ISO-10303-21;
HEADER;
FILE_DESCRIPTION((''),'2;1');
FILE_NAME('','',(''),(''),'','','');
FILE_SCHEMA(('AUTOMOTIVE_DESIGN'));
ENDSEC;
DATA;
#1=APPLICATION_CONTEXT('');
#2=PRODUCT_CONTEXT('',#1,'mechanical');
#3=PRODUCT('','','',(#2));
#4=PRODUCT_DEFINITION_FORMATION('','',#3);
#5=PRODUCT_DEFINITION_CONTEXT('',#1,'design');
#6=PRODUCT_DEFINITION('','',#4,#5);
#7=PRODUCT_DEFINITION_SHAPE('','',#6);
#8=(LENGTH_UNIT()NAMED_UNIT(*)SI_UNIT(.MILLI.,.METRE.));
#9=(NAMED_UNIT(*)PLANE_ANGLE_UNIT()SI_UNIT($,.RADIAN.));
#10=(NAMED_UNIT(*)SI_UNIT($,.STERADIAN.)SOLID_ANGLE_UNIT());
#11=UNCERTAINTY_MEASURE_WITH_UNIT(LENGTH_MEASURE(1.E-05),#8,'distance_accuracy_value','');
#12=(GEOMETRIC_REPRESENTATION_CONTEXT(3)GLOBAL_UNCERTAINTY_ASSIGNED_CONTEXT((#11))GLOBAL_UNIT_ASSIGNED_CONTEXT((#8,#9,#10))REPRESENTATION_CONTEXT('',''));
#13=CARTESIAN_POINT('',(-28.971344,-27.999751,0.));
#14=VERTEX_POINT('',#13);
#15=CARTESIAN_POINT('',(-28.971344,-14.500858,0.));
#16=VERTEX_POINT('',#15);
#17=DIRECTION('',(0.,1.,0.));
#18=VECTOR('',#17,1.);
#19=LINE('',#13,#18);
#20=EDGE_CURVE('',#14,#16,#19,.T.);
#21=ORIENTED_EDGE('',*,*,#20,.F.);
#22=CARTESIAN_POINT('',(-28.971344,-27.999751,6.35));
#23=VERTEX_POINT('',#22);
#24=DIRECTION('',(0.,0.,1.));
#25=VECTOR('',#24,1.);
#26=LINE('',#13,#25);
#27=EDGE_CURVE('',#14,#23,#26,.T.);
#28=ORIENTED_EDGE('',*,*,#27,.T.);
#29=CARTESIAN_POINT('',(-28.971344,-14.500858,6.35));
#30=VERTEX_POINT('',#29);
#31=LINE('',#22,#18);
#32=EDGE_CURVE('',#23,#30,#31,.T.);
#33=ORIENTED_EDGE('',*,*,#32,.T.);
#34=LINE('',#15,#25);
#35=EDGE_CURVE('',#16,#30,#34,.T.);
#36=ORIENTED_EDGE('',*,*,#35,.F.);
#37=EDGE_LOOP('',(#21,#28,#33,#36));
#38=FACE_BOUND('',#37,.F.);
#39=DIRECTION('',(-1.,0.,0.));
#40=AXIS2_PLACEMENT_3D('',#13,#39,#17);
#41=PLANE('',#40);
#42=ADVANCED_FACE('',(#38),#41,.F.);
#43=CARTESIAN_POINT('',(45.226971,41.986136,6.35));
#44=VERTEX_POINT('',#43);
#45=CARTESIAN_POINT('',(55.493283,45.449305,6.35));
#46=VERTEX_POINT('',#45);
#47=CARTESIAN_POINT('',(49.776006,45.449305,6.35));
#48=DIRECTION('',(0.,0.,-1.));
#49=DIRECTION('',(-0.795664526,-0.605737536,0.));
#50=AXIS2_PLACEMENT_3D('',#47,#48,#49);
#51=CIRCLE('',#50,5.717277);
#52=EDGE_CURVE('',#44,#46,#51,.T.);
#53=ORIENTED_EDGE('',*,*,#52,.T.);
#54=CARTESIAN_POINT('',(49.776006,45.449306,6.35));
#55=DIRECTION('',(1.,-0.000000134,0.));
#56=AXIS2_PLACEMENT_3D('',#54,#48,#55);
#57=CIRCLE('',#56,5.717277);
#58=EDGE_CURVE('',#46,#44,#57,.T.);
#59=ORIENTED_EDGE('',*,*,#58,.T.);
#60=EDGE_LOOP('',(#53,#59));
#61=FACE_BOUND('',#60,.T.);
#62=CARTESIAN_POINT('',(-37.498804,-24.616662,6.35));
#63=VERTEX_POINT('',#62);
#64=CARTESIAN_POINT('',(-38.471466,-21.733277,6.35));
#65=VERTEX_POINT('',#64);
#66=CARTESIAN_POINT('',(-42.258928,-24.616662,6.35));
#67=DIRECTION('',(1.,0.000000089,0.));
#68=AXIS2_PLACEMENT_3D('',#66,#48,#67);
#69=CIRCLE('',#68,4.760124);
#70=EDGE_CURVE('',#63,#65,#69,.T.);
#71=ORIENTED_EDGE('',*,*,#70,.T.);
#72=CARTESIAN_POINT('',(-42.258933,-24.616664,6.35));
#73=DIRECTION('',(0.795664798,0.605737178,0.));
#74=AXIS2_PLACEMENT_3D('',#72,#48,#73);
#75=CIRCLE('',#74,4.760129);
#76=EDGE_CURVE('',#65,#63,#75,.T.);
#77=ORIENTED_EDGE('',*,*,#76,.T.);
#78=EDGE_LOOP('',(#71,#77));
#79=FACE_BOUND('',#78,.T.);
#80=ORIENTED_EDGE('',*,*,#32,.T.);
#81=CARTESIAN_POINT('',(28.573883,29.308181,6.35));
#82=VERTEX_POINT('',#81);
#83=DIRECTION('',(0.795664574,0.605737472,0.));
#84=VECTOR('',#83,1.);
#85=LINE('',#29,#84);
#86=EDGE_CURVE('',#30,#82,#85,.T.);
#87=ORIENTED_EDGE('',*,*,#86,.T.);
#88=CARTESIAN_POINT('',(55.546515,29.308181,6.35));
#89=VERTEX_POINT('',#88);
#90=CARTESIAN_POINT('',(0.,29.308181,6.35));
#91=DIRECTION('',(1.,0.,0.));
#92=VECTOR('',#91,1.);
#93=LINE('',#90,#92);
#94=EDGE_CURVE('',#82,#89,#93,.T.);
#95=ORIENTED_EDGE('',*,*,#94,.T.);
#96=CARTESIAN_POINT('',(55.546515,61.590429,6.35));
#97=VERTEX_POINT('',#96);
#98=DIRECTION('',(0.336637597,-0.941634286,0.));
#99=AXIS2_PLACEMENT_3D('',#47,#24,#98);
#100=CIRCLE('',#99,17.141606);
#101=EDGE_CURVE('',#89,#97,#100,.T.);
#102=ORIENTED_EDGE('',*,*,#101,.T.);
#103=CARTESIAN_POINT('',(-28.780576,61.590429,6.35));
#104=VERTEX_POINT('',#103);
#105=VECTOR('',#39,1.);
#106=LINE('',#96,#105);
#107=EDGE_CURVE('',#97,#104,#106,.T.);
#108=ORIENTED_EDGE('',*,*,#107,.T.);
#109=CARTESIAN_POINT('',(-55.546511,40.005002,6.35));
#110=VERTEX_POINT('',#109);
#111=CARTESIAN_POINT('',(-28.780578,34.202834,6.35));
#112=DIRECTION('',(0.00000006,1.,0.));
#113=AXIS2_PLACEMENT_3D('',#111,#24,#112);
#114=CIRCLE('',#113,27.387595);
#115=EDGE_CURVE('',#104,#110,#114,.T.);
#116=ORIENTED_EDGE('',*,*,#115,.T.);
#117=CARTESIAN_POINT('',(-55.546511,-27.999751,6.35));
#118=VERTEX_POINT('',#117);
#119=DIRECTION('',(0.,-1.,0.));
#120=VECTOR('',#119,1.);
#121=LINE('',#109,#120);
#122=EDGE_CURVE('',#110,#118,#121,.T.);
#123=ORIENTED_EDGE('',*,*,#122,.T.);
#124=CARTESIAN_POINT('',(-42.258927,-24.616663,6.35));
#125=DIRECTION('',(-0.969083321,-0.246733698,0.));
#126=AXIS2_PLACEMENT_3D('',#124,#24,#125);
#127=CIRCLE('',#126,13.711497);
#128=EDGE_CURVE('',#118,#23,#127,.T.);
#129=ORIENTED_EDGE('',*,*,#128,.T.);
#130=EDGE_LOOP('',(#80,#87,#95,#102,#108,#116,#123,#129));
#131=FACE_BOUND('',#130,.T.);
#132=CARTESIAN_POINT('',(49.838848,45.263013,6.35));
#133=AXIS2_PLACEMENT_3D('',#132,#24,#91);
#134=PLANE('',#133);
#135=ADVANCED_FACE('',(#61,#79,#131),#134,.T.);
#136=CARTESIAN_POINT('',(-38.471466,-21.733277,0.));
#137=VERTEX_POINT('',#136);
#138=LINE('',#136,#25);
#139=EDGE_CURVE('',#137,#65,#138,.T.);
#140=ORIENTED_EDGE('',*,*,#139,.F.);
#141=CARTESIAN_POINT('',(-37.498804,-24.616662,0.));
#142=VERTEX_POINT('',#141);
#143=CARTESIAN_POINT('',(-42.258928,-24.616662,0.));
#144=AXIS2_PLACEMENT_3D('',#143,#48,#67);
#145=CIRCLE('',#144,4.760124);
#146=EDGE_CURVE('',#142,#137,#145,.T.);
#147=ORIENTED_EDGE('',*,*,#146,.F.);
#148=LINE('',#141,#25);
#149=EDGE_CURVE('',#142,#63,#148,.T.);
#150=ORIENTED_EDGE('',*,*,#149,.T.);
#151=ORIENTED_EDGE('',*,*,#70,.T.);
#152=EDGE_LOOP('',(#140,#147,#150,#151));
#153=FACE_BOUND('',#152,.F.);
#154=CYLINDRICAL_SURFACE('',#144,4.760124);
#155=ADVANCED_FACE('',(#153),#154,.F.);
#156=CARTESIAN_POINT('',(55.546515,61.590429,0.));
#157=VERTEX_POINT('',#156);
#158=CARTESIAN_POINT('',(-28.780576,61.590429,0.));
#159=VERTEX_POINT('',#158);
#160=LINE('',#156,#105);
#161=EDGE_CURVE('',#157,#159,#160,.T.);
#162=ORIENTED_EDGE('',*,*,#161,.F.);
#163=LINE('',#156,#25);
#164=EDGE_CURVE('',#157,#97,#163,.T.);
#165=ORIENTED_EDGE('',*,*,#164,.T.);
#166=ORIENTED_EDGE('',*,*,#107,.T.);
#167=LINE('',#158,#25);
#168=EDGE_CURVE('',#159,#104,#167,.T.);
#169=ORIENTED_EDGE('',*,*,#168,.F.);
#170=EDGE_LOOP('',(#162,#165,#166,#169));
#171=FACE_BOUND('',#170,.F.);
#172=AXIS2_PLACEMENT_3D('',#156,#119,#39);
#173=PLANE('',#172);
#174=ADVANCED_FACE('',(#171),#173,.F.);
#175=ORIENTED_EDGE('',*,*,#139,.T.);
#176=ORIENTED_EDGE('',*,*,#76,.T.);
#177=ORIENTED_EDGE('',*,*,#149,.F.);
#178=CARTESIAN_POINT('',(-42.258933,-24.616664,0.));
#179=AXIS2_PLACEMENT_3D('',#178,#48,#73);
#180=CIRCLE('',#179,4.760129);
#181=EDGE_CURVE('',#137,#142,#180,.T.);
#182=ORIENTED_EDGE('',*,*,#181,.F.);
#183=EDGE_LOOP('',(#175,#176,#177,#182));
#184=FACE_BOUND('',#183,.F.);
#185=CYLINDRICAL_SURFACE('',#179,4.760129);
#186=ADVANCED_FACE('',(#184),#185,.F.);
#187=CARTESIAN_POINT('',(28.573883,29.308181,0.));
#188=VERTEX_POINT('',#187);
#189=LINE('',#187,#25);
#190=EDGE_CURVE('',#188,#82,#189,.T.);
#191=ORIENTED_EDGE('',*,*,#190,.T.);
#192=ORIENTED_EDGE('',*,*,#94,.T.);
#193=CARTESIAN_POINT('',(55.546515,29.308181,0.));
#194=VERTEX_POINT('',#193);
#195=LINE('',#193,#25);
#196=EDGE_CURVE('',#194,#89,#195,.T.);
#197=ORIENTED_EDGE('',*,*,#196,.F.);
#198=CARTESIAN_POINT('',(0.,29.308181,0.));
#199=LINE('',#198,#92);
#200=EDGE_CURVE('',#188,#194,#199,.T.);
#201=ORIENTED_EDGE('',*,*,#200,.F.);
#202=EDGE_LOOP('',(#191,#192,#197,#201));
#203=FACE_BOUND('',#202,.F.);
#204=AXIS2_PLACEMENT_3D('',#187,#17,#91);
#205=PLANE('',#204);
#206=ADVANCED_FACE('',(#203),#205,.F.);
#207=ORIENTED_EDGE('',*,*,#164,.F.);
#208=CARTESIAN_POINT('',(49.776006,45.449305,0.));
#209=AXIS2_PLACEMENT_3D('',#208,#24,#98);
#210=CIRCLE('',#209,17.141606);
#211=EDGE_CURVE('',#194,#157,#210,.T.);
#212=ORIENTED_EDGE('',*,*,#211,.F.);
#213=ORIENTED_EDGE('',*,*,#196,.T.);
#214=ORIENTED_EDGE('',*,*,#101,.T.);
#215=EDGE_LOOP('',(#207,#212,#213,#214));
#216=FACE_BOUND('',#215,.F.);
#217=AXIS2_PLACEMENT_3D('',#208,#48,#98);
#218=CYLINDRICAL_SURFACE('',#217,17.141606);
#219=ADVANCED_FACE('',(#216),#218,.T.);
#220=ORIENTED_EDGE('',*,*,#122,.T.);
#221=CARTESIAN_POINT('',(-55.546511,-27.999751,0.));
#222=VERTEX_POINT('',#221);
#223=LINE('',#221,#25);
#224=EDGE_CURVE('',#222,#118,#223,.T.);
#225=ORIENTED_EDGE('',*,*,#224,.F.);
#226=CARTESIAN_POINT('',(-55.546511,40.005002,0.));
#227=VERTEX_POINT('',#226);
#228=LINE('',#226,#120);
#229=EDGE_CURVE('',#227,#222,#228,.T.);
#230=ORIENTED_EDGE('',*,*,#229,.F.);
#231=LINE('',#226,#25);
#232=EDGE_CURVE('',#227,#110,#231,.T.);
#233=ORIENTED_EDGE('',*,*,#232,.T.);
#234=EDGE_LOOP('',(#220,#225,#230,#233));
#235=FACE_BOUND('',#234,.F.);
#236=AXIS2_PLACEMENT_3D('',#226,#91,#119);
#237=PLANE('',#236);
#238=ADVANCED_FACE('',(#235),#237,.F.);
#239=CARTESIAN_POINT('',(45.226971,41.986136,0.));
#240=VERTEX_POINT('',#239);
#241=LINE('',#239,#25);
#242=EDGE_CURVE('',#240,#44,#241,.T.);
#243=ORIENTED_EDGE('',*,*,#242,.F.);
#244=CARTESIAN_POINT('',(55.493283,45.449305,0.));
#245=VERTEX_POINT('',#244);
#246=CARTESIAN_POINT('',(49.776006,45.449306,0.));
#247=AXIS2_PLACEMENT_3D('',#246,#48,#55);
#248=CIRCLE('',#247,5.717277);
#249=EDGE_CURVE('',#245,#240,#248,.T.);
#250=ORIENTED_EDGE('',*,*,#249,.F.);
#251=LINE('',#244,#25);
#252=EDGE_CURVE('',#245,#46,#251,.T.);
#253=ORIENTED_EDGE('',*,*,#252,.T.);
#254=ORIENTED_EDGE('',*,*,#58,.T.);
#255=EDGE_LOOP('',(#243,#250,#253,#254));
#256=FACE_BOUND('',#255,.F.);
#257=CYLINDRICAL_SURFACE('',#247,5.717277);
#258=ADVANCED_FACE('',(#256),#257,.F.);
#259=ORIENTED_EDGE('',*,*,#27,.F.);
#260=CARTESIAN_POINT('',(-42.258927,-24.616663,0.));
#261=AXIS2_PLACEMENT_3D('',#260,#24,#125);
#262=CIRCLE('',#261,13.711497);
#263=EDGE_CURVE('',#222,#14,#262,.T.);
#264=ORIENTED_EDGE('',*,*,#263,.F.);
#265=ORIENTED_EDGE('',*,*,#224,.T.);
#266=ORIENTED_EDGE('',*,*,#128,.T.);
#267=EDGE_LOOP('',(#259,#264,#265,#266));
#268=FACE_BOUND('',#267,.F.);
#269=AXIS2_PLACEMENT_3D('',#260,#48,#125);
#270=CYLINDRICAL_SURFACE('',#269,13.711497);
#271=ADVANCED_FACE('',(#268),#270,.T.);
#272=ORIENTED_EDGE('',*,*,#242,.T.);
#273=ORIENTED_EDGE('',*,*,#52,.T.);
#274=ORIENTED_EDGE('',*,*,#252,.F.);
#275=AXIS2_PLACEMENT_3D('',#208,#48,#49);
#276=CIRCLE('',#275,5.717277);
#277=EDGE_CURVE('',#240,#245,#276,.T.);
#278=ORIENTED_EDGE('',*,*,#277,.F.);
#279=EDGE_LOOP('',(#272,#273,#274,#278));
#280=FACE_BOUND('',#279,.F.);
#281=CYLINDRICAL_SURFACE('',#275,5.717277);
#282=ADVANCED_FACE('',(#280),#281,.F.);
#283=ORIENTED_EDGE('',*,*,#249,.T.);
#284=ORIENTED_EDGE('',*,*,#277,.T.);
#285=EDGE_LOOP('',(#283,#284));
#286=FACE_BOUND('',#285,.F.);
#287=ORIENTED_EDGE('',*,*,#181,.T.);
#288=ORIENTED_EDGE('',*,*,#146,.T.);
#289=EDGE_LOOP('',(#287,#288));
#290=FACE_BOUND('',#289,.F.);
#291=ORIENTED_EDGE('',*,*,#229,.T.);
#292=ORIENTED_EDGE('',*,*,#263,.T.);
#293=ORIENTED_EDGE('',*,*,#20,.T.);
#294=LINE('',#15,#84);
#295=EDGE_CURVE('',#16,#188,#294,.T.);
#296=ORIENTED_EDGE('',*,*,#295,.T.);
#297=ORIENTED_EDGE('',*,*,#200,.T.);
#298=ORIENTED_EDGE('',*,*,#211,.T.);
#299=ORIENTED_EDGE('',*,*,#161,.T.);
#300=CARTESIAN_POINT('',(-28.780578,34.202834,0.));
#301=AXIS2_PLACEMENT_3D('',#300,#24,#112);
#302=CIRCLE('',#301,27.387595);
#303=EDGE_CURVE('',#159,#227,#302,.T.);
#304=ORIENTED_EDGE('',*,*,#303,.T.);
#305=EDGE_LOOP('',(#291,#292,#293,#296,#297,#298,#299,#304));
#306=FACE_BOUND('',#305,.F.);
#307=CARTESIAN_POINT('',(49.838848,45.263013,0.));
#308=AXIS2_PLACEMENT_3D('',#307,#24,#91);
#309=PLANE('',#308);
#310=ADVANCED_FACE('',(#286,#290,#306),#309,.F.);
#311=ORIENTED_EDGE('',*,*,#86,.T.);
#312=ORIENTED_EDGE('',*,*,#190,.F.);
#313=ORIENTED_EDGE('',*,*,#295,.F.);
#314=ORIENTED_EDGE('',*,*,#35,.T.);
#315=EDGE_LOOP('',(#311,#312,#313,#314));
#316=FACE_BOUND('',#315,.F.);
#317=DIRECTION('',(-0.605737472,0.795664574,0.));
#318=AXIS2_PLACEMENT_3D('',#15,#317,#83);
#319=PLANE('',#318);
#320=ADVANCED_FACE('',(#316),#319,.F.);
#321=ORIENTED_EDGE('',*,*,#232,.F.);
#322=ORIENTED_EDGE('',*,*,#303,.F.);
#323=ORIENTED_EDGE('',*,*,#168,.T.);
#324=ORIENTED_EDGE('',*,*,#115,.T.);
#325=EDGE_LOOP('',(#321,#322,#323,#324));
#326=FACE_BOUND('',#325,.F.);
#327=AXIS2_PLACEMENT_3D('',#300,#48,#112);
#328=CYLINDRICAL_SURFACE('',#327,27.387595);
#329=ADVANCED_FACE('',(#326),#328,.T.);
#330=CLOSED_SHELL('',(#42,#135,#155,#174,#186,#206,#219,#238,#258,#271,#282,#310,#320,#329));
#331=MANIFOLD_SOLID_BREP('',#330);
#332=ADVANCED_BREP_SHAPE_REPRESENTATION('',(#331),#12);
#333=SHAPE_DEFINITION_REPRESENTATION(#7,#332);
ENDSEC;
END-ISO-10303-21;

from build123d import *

# Parameters (mm, degrees)
F1_DEPTH = 6.35


with BuildPart() as f1:
    # F0 (on Top) → F1 (new body)
    with BuildSketch(Plane.XY):
        with BuildLine():
            ThreePointArc((55.493283, 45.449305), (47.948553, 50.866655), (45.226971, 41.986136))
            ThreePointArc((45.226971, 41.986136), (51.603458, 40.031956), (55.493283, 45.449305))
        make_face()
        with BuildLine():
            ThreePointArc((-37.498804, -24.616662), (-37.74852, -23.095151), (-38.471466, -21.733277))
            ThreePointArc((-38.471466, -21.733277), (-46.769336, -26.138173), (-37.498804, -24.616662))
        make_face()
        with BuildLine():
            Line((-28.971344, -14.500858), (-28.971344, -4.430655))
            ThreePointArc((-28.971344, -4.430655), (-22.235377, 19.09339), (0, 29.308181))
            Line((0, 29.308181), (28.573883, 29.308181))
            Line((28.573883, 29.308181), (55.546515, 29.308181))
            ThreePointArc((55.546515, 29.308181), (66.917612, 45.449305), (55.546515, 61.590429))
            Line((55.546515, 61.590429), (-28.780576, 61.590429))
            ThreePointArc((-28.780576, 61.590429), (-45.973205, 55.521697), (-55.546511, 40.005002))
            Line((-55.546511, 40.005002), (-55.546511, -22.448849))
            Line((-55.546511, -22.448849), (-55.546511, -27.999751))
            ThreePointArc((-55.546511, -27.999751), (-42.258928, -38.32816), (-28.971344, -27.999751))
            Line((-28.971344, -27.999751), (-28.971344, -20.434208))
            Line((-28.971344, -20.434208), (-28.971344, -14.500858))
        make_face()
        with BuildLine():
            ThreePointArc((-37.498804, -24.616662), (-46.769336, -26.138173), (-38.471466, -21.733277))
            ThreePointArc((-38.471466, -21.733277), (-37.74852, -23.095151), (-37.498804, -24.616662))
        make_face(mode=Mode.SUBTRACT)
        with BuildLine():
            ThreePointArc((55.493283, 45.449305), (51.603458, 40.031956), (45.226971, 41.986136))
            ThreePointArc((45.226971, 41.986136), (47.948553, 50.866655), (55.493283, 45.449305))
        make_face(mode=Mode.SUBTRACT)
        with BuildLine():
            ThreePointArc((0, 29.308181), (-22.235377, 19.09339), (-28.971344, -4.430655))
            Line((-28.971344, -4.430655), (-28.971344, -14.500858))
            Line((-28.971344, -14.500858), (28.573883, 29.308181))
            Line((28.573883, 29.308181), (0, 29.308181))
        make_face()
    extrude(amount=F1_DEPTH)


solid = f1.part
